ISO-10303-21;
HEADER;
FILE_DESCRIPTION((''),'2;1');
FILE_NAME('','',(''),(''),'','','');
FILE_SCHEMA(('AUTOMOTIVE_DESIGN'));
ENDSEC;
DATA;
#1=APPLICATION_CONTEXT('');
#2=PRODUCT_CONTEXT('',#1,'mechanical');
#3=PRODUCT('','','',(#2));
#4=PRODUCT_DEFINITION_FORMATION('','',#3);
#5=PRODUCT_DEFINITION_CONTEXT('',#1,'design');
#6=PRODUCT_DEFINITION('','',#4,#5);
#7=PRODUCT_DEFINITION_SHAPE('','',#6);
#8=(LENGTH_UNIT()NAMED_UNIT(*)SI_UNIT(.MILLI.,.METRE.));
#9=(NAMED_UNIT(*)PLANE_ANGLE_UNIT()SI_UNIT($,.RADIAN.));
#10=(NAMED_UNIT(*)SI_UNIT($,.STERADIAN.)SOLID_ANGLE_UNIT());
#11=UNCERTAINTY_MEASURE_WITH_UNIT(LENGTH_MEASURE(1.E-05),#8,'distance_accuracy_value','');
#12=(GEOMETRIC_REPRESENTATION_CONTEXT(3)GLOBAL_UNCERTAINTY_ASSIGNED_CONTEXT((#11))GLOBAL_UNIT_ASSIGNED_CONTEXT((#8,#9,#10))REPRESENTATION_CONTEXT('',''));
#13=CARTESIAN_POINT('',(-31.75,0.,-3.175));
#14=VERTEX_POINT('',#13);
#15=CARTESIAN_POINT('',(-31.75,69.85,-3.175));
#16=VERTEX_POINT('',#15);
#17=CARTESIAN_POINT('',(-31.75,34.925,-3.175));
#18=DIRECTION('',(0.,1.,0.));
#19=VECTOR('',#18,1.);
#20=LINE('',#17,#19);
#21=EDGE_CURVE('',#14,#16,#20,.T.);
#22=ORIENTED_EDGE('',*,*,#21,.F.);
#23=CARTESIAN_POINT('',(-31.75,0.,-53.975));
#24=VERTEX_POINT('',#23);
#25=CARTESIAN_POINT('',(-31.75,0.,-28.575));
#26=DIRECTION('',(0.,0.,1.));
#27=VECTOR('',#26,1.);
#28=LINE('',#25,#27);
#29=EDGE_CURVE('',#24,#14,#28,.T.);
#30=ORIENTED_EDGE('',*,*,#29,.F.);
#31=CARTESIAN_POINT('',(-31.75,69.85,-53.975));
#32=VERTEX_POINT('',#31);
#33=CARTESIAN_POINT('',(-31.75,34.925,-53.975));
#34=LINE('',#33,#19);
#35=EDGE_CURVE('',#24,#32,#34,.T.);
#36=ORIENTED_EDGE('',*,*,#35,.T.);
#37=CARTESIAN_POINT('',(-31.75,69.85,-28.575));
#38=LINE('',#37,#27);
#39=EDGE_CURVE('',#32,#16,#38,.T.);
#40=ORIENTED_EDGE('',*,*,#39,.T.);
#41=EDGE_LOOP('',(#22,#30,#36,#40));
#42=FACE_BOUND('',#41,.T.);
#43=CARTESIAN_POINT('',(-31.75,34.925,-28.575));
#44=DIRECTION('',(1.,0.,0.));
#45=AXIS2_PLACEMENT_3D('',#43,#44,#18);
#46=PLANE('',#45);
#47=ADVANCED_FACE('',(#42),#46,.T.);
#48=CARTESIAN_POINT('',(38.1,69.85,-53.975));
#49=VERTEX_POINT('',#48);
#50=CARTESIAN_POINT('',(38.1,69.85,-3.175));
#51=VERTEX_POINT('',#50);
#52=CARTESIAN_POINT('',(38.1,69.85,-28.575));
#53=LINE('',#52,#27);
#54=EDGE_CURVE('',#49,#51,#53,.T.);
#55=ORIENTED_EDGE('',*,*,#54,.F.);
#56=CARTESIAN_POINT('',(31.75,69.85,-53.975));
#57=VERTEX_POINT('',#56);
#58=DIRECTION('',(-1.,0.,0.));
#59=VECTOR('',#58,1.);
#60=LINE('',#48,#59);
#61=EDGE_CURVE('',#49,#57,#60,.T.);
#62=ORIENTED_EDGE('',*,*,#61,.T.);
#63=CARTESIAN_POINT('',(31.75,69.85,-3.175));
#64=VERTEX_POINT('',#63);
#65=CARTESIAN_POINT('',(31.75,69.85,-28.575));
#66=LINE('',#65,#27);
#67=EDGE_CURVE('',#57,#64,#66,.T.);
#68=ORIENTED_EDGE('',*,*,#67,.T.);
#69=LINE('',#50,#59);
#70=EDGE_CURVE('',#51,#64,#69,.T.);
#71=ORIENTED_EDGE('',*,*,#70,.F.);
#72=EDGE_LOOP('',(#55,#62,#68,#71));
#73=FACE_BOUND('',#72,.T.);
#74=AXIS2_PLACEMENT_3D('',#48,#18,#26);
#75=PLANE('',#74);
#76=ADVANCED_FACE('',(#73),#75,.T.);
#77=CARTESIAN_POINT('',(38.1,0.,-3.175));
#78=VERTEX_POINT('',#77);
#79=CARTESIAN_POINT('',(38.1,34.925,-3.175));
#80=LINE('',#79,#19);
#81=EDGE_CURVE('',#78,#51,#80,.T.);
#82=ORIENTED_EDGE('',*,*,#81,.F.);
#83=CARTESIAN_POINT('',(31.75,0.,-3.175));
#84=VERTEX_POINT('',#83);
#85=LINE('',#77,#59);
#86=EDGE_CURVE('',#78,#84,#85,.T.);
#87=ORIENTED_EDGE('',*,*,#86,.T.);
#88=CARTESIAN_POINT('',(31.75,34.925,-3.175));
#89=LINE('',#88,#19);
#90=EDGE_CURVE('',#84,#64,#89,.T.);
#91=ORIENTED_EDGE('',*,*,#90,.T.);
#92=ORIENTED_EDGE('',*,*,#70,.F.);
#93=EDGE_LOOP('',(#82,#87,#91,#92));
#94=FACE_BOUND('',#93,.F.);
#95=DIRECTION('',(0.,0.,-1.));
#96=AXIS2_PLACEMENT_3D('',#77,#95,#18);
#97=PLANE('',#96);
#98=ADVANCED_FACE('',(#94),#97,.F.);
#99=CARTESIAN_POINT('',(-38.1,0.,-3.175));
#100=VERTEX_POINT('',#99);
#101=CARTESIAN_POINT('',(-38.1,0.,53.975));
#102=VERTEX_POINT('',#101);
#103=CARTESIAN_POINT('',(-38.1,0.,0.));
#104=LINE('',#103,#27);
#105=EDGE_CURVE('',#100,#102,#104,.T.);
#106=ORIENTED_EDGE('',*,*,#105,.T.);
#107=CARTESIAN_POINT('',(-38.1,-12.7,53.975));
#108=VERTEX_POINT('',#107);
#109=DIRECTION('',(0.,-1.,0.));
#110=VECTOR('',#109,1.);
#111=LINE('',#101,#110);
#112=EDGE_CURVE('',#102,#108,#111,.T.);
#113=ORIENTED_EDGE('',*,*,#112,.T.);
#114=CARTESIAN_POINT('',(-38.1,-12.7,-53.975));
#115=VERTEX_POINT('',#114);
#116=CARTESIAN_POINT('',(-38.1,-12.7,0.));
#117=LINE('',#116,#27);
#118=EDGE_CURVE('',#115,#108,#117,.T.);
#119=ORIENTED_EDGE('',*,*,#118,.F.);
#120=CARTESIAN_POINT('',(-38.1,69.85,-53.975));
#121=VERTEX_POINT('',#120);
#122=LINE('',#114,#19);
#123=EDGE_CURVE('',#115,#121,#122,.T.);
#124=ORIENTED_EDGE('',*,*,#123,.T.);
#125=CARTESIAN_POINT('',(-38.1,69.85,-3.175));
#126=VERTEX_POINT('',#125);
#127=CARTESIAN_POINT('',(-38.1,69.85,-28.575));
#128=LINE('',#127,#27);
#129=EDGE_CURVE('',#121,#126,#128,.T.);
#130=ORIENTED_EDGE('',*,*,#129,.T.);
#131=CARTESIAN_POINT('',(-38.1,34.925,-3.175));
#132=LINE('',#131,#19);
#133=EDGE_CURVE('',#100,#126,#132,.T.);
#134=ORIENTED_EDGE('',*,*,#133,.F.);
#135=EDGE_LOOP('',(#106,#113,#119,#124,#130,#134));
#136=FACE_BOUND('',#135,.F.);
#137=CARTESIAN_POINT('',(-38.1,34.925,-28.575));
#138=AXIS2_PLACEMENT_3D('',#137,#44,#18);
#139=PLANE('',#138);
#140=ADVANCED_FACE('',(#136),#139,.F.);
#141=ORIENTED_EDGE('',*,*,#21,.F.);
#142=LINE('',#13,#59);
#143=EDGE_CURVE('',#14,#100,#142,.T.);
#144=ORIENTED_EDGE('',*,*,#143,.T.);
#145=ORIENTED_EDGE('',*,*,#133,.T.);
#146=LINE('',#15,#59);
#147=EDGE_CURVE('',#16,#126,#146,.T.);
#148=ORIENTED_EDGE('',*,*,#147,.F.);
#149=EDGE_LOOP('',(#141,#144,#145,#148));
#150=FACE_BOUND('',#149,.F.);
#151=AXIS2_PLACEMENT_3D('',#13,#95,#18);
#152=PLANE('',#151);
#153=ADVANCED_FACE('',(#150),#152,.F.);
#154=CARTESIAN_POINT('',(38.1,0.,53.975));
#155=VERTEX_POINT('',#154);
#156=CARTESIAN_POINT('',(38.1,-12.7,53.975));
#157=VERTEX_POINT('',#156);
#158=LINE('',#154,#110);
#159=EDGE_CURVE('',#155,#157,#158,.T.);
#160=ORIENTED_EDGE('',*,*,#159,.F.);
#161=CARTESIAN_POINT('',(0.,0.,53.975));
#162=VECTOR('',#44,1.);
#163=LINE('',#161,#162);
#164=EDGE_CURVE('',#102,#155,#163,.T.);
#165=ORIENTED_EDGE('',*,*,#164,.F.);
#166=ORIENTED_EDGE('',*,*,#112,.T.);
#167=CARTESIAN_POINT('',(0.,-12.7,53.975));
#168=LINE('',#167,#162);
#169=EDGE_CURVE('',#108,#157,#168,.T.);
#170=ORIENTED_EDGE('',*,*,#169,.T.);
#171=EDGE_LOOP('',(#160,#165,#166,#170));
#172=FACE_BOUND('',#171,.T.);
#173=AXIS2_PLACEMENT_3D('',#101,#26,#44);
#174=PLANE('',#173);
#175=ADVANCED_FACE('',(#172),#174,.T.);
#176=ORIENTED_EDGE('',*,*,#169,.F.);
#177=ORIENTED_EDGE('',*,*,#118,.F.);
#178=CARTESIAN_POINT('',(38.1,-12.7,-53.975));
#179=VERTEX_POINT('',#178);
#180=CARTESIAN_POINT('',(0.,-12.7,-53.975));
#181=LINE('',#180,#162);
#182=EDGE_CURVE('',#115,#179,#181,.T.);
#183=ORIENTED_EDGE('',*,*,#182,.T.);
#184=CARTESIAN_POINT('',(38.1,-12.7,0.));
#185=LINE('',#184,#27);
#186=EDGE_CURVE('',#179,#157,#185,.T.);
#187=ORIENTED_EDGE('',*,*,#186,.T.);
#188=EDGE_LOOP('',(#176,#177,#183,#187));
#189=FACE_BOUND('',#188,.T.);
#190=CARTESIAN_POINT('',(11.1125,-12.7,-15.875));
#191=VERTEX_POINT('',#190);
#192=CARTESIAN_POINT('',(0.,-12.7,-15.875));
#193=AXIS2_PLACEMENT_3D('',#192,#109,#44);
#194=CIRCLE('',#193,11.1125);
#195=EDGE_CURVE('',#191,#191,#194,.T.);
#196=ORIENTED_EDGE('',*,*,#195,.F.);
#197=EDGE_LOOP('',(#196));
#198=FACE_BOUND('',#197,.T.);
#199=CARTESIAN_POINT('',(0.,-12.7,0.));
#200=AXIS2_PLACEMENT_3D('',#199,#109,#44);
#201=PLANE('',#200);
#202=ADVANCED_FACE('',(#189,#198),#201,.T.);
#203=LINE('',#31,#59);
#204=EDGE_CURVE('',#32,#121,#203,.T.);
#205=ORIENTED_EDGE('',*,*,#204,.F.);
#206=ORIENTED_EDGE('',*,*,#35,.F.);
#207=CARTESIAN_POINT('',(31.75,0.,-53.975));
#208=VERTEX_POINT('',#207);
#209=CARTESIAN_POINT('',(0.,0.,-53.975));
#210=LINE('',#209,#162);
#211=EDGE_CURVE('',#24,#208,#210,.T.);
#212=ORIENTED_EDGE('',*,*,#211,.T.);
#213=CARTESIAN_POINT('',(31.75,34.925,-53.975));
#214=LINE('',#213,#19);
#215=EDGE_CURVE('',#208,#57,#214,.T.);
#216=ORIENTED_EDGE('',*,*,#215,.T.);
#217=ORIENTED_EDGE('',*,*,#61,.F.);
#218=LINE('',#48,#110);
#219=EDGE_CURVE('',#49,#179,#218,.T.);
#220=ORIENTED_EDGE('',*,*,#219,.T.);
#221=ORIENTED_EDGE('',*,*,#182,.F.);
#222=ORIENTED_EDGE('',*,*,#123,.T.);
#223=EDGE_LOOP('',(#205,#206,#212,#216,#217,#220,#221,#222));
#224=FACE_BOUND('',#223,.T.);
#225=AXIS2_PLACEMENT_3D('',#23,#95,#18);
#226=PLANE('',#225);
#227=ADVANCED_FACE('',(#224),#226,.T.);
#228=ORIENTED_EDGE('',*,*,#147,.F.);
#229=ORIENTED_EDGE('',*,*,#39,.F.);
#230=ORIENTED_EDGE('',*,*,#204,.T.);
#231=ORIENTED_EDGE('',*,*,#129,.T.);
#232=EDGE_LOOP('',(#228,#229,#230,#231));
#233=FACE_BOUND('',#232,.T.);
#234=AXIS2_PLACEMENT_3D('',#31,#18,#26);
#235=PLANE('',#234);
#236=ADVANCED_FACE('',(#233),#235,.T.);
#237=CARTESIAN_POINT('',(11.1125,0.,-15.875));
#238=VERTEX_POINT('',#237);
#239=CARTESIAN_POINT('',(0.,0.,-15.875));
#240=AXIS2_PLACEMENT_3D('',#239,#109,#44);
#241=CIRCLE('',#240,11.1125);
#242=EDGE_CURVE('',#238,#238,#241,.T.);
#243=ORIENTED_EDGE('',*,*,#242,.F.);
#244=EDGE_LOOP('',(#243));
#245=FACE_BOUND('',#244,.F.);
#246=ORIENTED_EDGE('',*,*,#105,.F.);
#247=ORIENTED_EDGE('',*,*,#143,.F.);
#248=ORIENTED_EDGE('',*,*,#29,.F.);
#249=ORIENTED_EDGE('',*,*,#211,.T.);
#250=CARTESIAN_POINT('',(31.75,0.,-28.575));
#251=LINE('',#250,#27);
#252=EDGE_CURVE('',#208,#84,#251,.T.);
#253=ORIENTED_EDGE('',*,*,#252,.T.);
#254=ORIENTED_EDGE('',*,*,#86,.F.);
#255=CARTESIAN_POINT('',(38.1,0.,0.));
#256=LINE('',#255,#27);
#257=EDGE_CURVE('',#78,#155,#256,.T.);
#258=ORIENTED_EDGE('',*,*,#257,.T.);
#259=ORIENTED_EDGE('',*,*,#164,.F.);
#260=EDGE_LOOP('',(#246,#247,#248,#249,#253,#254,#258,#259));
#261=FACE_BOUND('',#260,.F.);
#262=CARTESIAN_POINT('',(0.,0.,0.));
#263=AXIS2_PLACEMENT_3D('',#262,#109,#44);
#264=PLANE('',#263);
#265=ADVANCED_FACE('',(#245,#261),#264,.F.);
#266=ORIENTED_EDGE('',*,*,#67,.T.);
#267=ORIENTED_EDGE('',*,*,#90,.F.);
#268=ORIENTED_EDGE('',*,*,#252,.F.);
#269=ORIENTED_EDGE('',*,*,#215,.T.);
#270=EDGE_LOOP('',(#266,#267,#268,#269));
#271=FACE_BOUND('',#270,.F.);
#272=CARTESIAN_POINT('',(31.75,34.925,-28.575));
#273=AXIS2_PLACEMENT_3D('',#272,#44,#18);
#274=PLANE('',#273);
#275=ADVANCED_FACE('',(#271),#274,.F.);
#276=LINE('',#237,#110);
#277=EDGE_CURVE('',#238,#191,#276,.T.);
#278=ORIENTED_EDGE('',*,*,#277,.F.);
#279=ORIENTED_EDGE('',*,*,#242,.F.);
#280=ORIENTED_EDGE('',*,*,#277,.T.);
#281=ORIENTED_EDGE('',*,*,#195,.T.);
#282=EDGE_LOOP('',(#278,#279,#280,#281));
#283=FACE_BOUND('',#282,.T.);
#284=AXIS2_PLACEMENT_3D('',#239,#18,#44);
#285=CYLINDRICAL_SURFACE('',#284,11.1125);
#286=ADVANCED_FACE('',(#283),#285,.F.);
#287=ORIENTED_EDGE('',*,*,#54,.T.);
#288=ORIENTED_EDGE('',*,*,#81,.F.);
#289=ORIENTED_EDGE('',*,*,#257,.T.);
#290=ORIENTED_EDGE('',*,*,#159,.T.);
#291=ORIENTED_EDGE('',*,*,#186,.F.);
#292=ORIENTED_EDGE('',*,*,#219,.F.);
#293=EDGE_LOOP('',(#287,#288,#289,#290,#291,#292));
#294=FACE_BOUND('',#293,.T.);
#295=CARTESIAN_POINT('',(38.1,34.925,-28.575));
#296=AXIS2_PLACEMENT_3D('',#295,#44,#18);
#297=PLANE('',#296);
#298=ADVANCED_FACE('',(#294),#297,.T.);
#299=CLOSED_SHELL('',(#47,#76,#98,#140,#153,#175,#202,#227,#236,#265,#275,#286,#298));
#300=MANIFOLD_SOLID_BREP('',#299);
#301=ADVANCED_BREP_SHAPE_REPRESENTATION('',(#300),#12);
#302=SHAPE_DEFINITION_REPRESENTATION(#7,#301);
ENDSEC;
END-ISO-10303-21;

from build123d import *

# Parameters (mm, degrees)
F0_W     = 76.2
F0_H     = 107.95
F0_R     = 11.1125
F1_DEPTH = 12.7
F2_W     = 69.85
F2_H     = 50.8
F3_DEPTH = 6.35
F4_START = -69.85
F4_DEPTH = 6.35


with BuildPart() as f1:
    # F0 (on Front) → F1 (new body)
    with BuildSketch(Plane.XZ):
        Rectangle(F0_W, F0_H)
        with Locations((0, -15.875)):
            Circle(F0_R, mode=Mode.SUBTRACT)
    extrude(amount=F1_DEPTH)

    # F2 (on face) → F3 (join)
    with BuildSketch(Plane.YZ.offset(38.1)):
        with Locations((34.925, -28.575)):
            Rectangle(F2_W, F2_H)
    extrude(amount=-F3_DEPTH)

    # F2 (on face) → F4 (join)
    with BuildSketch(Plane.YZ.offset(38.1).offset(F4_START)):
        with Locations((34.925, -28.575)):
            Rectangle(F2_W, F2_H)
    extrude(amount=-F4_DEPTH)


solid = f1.part
